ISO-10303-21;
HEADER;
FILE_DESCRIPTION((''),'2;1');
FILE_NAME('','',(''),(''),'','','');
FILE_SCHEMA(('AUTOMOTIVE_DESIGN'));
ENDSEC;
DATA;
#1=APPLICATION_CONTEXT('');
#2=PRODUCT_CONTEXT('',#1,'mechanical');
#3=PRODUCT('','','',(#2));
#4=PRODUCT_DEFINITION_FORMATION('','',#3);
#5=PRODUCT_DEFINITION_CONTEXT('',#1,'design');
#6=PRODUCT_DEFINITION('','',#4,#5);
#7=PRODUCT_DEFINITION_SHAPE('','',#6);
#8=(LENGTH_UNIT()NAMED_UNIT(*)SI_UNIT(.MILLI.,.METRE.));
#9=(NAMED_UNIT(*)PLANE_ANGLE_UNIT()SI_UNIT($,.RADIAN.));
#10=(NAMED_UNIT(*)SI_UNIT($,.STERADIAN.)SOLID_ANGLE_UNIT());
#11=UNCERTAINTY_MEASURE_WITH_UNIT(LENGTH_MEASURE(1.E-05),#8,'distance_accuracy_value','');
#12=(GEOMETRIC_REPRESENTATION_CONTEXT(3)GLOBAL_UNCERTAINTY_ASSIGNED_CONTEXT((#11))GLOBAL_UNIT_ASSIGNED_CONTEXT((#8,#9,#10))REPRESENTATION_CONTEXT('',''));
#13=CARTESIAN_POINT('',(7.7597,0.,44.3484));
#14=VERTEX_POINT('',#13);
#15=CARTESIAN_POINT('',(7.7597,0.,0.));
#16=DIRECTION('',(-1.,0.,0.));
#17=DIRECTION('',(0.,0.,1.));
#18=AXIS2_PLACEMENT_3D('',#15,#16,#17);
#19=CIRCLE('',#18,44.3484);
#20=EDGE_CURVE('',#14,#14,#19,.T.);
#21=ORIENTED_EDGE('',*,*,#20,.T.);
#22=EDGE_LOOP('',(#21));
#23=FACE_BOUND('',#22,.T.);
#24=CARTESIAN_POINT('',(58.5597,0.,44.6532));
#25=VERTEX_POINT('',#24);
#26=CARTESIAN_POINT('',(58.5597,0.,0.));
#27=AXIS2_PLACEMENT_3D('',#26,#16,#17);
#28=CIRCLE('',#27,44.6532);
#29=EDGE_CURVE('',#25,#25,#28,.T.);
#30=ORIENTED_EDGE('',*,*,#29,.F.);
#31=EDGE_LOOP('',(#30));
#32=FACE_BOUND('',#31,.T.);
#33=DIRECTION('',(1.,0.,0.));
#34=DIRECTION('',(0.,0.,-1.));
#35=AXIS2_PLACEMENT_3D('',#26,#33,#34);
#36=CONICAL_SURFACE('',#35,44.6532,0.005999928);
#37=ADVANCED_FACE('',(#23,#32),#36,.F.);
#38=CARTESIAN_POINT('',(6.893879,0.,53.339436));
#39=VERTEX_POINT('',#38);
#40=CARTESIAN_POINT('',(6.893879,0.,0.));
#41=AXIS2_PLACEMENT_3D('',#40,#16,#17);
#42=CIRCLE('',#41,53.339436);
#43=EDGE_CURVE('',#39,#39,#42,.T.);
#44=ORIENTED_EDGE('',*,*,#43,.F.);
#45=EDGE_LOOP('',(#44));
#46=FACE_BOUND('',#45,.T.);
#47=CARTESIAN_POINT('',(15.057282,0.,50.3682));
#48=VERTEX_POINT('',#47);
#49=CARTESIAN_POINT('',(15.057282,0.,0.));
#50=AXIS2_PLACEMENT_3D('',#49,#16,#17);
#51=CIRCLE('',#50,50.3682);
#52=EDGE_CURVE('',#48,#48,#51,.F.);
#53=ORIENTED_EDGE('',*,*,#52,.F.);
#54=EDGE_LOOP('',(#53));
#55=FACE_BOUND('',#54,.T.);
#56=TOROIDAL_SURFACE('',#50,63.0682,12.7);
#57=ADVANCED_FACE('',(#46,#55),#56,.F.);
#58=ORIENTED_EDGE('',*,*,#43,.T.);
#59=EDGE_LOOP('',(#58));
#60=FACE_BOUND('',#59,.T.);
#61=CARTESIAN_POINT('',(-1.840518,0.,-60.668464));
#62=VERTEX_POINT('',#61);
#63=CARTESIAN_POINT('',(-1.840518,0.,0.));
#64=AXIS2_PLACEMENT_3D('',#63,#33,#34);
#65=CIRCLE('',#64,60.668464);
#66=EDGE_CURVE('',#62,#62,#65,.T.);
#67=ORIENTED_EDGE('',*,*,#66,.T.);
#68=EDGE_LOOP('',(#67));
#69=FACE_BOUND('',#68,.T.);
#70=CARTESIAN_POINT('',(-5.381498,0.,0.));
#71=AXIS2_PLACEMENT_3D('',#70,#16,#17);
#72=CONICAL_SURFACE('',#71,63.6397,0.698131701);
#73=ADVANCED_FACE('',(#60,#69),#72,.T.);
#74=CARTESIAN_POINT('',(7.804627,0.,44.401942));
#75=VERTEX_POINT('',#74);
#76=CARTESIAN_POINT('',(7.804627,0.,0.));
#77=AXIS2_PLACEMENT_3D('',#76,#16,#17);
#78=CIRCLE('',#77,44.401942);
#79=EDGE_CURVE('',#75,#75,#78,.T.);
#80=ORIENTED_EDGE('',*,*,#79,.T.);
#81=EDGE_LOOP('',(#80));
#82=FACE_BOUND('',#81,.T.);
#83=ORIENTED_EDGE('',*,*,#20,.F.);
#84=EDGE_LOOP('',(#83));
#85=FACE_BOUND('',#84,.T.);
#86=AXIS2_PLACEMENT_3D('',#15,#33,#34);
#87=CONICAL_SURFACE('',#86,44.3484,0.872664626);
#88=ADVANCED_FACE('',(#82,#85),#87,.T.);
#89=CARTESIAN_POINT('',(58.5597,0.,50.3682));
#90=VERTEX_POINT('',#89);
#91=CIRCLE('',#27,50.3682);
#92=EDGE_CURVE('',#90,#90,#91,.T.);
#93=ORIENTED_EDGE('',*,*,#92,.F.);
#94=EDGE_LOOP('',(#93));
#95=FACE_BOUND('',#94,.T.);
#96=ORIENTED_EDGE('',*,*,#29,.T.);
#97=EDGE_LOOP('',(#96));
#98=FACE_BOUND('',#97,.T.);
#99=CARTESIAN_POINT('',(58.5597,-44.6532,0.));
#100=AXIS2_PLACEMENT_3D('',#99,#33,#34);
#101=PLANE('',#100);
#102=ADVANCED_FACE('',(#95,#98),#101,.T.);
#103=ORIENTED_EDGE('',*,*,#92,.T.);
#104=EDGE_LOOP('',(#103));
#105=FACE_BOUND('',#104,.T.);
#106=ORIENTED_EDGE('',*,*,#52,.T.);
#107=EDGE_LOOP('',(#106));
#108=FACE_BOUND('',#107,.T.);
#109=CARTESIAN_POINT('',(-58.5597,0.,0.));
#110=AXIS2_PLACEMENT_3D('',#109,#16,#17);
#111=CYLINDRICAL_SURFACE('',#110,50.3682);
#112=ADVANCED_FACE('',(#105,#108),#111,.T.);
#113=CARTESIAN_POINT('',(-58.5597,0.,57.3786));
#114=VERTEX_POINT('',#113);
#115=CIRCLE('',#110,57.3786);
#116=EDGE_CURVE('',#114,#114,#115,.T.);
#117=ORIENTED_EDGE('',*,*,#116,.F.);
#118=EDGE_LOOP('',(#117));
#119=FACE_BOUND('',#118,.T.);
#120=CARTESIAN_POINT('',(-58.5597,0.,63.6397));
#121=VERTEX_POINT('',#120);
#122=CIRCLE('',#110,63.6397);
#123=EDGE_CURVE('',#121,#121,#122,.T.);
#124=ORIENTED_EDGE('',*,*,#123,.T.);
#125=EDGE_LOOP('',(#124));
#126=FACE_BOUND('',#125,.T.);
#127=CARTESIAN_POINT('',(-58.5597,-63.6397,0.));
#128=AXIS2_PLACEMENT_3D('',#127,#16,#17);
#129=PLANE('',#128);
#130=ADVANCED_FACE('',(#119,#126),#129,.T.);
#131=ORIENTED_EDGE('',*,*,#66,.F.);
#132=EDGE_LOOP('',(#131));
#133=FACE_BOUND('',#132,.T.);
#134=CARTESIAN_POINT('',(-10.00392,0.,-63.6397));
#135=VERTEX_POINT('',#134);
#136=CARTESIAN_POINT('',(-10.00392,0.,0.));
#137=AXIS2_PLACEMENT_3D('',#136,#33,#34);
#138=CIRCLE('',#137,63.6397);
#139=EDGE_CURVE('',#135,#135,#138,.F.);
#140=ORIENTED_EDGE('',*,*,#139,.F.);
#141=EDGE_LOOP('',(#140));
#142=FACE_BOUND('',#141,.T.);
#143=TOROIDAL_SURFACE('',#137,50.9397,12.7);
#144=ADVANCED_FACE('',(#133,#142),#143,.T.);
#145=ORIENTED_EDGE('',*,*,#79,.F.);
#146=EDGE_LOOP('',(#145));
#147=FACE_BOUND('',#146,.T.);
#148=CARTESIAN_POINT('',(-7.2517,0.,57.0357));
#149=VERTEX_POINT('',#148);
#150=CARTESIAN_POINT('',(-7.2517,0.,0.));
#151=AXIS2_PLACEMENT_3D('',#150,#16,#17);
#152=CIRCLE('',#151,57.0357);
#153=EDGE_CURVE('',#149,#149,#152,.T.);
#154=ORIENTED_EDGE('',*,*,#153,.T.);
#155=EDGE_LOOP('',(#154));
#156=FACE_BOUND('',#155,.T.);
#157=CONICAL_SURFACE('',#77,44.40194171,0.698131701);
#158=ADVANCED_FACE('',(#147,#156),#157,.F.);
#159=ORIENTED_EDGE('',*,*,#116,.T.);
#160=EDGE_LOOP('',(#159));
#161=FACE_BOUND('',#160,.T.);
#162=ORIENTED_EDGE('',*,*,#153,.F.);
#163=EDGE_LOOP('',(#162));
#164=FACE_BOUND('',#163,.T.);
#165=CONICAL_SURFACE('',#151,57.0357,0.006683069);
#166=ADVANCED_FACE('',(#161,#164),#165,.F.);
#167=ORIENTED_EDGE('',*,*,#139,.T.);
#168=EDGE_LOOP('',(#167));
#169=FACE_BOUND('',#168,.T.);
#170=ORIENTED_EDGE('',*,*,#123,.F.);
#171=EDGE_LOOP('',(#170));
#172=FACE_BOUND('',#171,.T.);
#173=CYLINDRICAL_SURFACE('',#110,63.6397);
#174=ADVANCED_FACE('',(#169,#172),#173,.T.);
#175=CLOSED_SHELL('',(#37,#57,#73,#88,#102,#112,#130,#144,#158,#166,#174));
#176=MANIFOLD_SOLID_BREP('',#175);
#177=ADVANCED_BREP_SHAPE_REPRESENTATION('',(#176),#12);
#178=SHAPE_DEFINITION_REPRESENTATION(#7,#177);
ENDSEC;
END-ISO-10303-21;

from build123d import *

# Parameters (mm, degrees)
FILLET1_R = 12.7


with BuildPart() as part:
    # Sketch1 → Revolve1 (revolve)
    with BuildSketch(Plane.XY):
        Polygon((-7.2517, -57.0357), (7.80462683, -44.40194171), (7.7597, -44.3484), (58.5597, -44.6532), (58.5597, -50.3682), (10.434859531, -50.3682), (-5.381498273, -63.6397), (-58.5597, -63.6397), (-58.5597, -57.3786), align=None)
    revolve(axis=Axis((-58.5597, 0, 0), (1, 0, 0)))

    # Fillet1
    fillet1_edges = [part.edges().sort_by_distance(p)[0] for p in [
        (-5.381498273, 63.6397, 0),
        (10.434859531, 50.3682, 0),
    ]]
    fillet(fillet1_edges, radius=FILLET1_R)


solid = part.part
